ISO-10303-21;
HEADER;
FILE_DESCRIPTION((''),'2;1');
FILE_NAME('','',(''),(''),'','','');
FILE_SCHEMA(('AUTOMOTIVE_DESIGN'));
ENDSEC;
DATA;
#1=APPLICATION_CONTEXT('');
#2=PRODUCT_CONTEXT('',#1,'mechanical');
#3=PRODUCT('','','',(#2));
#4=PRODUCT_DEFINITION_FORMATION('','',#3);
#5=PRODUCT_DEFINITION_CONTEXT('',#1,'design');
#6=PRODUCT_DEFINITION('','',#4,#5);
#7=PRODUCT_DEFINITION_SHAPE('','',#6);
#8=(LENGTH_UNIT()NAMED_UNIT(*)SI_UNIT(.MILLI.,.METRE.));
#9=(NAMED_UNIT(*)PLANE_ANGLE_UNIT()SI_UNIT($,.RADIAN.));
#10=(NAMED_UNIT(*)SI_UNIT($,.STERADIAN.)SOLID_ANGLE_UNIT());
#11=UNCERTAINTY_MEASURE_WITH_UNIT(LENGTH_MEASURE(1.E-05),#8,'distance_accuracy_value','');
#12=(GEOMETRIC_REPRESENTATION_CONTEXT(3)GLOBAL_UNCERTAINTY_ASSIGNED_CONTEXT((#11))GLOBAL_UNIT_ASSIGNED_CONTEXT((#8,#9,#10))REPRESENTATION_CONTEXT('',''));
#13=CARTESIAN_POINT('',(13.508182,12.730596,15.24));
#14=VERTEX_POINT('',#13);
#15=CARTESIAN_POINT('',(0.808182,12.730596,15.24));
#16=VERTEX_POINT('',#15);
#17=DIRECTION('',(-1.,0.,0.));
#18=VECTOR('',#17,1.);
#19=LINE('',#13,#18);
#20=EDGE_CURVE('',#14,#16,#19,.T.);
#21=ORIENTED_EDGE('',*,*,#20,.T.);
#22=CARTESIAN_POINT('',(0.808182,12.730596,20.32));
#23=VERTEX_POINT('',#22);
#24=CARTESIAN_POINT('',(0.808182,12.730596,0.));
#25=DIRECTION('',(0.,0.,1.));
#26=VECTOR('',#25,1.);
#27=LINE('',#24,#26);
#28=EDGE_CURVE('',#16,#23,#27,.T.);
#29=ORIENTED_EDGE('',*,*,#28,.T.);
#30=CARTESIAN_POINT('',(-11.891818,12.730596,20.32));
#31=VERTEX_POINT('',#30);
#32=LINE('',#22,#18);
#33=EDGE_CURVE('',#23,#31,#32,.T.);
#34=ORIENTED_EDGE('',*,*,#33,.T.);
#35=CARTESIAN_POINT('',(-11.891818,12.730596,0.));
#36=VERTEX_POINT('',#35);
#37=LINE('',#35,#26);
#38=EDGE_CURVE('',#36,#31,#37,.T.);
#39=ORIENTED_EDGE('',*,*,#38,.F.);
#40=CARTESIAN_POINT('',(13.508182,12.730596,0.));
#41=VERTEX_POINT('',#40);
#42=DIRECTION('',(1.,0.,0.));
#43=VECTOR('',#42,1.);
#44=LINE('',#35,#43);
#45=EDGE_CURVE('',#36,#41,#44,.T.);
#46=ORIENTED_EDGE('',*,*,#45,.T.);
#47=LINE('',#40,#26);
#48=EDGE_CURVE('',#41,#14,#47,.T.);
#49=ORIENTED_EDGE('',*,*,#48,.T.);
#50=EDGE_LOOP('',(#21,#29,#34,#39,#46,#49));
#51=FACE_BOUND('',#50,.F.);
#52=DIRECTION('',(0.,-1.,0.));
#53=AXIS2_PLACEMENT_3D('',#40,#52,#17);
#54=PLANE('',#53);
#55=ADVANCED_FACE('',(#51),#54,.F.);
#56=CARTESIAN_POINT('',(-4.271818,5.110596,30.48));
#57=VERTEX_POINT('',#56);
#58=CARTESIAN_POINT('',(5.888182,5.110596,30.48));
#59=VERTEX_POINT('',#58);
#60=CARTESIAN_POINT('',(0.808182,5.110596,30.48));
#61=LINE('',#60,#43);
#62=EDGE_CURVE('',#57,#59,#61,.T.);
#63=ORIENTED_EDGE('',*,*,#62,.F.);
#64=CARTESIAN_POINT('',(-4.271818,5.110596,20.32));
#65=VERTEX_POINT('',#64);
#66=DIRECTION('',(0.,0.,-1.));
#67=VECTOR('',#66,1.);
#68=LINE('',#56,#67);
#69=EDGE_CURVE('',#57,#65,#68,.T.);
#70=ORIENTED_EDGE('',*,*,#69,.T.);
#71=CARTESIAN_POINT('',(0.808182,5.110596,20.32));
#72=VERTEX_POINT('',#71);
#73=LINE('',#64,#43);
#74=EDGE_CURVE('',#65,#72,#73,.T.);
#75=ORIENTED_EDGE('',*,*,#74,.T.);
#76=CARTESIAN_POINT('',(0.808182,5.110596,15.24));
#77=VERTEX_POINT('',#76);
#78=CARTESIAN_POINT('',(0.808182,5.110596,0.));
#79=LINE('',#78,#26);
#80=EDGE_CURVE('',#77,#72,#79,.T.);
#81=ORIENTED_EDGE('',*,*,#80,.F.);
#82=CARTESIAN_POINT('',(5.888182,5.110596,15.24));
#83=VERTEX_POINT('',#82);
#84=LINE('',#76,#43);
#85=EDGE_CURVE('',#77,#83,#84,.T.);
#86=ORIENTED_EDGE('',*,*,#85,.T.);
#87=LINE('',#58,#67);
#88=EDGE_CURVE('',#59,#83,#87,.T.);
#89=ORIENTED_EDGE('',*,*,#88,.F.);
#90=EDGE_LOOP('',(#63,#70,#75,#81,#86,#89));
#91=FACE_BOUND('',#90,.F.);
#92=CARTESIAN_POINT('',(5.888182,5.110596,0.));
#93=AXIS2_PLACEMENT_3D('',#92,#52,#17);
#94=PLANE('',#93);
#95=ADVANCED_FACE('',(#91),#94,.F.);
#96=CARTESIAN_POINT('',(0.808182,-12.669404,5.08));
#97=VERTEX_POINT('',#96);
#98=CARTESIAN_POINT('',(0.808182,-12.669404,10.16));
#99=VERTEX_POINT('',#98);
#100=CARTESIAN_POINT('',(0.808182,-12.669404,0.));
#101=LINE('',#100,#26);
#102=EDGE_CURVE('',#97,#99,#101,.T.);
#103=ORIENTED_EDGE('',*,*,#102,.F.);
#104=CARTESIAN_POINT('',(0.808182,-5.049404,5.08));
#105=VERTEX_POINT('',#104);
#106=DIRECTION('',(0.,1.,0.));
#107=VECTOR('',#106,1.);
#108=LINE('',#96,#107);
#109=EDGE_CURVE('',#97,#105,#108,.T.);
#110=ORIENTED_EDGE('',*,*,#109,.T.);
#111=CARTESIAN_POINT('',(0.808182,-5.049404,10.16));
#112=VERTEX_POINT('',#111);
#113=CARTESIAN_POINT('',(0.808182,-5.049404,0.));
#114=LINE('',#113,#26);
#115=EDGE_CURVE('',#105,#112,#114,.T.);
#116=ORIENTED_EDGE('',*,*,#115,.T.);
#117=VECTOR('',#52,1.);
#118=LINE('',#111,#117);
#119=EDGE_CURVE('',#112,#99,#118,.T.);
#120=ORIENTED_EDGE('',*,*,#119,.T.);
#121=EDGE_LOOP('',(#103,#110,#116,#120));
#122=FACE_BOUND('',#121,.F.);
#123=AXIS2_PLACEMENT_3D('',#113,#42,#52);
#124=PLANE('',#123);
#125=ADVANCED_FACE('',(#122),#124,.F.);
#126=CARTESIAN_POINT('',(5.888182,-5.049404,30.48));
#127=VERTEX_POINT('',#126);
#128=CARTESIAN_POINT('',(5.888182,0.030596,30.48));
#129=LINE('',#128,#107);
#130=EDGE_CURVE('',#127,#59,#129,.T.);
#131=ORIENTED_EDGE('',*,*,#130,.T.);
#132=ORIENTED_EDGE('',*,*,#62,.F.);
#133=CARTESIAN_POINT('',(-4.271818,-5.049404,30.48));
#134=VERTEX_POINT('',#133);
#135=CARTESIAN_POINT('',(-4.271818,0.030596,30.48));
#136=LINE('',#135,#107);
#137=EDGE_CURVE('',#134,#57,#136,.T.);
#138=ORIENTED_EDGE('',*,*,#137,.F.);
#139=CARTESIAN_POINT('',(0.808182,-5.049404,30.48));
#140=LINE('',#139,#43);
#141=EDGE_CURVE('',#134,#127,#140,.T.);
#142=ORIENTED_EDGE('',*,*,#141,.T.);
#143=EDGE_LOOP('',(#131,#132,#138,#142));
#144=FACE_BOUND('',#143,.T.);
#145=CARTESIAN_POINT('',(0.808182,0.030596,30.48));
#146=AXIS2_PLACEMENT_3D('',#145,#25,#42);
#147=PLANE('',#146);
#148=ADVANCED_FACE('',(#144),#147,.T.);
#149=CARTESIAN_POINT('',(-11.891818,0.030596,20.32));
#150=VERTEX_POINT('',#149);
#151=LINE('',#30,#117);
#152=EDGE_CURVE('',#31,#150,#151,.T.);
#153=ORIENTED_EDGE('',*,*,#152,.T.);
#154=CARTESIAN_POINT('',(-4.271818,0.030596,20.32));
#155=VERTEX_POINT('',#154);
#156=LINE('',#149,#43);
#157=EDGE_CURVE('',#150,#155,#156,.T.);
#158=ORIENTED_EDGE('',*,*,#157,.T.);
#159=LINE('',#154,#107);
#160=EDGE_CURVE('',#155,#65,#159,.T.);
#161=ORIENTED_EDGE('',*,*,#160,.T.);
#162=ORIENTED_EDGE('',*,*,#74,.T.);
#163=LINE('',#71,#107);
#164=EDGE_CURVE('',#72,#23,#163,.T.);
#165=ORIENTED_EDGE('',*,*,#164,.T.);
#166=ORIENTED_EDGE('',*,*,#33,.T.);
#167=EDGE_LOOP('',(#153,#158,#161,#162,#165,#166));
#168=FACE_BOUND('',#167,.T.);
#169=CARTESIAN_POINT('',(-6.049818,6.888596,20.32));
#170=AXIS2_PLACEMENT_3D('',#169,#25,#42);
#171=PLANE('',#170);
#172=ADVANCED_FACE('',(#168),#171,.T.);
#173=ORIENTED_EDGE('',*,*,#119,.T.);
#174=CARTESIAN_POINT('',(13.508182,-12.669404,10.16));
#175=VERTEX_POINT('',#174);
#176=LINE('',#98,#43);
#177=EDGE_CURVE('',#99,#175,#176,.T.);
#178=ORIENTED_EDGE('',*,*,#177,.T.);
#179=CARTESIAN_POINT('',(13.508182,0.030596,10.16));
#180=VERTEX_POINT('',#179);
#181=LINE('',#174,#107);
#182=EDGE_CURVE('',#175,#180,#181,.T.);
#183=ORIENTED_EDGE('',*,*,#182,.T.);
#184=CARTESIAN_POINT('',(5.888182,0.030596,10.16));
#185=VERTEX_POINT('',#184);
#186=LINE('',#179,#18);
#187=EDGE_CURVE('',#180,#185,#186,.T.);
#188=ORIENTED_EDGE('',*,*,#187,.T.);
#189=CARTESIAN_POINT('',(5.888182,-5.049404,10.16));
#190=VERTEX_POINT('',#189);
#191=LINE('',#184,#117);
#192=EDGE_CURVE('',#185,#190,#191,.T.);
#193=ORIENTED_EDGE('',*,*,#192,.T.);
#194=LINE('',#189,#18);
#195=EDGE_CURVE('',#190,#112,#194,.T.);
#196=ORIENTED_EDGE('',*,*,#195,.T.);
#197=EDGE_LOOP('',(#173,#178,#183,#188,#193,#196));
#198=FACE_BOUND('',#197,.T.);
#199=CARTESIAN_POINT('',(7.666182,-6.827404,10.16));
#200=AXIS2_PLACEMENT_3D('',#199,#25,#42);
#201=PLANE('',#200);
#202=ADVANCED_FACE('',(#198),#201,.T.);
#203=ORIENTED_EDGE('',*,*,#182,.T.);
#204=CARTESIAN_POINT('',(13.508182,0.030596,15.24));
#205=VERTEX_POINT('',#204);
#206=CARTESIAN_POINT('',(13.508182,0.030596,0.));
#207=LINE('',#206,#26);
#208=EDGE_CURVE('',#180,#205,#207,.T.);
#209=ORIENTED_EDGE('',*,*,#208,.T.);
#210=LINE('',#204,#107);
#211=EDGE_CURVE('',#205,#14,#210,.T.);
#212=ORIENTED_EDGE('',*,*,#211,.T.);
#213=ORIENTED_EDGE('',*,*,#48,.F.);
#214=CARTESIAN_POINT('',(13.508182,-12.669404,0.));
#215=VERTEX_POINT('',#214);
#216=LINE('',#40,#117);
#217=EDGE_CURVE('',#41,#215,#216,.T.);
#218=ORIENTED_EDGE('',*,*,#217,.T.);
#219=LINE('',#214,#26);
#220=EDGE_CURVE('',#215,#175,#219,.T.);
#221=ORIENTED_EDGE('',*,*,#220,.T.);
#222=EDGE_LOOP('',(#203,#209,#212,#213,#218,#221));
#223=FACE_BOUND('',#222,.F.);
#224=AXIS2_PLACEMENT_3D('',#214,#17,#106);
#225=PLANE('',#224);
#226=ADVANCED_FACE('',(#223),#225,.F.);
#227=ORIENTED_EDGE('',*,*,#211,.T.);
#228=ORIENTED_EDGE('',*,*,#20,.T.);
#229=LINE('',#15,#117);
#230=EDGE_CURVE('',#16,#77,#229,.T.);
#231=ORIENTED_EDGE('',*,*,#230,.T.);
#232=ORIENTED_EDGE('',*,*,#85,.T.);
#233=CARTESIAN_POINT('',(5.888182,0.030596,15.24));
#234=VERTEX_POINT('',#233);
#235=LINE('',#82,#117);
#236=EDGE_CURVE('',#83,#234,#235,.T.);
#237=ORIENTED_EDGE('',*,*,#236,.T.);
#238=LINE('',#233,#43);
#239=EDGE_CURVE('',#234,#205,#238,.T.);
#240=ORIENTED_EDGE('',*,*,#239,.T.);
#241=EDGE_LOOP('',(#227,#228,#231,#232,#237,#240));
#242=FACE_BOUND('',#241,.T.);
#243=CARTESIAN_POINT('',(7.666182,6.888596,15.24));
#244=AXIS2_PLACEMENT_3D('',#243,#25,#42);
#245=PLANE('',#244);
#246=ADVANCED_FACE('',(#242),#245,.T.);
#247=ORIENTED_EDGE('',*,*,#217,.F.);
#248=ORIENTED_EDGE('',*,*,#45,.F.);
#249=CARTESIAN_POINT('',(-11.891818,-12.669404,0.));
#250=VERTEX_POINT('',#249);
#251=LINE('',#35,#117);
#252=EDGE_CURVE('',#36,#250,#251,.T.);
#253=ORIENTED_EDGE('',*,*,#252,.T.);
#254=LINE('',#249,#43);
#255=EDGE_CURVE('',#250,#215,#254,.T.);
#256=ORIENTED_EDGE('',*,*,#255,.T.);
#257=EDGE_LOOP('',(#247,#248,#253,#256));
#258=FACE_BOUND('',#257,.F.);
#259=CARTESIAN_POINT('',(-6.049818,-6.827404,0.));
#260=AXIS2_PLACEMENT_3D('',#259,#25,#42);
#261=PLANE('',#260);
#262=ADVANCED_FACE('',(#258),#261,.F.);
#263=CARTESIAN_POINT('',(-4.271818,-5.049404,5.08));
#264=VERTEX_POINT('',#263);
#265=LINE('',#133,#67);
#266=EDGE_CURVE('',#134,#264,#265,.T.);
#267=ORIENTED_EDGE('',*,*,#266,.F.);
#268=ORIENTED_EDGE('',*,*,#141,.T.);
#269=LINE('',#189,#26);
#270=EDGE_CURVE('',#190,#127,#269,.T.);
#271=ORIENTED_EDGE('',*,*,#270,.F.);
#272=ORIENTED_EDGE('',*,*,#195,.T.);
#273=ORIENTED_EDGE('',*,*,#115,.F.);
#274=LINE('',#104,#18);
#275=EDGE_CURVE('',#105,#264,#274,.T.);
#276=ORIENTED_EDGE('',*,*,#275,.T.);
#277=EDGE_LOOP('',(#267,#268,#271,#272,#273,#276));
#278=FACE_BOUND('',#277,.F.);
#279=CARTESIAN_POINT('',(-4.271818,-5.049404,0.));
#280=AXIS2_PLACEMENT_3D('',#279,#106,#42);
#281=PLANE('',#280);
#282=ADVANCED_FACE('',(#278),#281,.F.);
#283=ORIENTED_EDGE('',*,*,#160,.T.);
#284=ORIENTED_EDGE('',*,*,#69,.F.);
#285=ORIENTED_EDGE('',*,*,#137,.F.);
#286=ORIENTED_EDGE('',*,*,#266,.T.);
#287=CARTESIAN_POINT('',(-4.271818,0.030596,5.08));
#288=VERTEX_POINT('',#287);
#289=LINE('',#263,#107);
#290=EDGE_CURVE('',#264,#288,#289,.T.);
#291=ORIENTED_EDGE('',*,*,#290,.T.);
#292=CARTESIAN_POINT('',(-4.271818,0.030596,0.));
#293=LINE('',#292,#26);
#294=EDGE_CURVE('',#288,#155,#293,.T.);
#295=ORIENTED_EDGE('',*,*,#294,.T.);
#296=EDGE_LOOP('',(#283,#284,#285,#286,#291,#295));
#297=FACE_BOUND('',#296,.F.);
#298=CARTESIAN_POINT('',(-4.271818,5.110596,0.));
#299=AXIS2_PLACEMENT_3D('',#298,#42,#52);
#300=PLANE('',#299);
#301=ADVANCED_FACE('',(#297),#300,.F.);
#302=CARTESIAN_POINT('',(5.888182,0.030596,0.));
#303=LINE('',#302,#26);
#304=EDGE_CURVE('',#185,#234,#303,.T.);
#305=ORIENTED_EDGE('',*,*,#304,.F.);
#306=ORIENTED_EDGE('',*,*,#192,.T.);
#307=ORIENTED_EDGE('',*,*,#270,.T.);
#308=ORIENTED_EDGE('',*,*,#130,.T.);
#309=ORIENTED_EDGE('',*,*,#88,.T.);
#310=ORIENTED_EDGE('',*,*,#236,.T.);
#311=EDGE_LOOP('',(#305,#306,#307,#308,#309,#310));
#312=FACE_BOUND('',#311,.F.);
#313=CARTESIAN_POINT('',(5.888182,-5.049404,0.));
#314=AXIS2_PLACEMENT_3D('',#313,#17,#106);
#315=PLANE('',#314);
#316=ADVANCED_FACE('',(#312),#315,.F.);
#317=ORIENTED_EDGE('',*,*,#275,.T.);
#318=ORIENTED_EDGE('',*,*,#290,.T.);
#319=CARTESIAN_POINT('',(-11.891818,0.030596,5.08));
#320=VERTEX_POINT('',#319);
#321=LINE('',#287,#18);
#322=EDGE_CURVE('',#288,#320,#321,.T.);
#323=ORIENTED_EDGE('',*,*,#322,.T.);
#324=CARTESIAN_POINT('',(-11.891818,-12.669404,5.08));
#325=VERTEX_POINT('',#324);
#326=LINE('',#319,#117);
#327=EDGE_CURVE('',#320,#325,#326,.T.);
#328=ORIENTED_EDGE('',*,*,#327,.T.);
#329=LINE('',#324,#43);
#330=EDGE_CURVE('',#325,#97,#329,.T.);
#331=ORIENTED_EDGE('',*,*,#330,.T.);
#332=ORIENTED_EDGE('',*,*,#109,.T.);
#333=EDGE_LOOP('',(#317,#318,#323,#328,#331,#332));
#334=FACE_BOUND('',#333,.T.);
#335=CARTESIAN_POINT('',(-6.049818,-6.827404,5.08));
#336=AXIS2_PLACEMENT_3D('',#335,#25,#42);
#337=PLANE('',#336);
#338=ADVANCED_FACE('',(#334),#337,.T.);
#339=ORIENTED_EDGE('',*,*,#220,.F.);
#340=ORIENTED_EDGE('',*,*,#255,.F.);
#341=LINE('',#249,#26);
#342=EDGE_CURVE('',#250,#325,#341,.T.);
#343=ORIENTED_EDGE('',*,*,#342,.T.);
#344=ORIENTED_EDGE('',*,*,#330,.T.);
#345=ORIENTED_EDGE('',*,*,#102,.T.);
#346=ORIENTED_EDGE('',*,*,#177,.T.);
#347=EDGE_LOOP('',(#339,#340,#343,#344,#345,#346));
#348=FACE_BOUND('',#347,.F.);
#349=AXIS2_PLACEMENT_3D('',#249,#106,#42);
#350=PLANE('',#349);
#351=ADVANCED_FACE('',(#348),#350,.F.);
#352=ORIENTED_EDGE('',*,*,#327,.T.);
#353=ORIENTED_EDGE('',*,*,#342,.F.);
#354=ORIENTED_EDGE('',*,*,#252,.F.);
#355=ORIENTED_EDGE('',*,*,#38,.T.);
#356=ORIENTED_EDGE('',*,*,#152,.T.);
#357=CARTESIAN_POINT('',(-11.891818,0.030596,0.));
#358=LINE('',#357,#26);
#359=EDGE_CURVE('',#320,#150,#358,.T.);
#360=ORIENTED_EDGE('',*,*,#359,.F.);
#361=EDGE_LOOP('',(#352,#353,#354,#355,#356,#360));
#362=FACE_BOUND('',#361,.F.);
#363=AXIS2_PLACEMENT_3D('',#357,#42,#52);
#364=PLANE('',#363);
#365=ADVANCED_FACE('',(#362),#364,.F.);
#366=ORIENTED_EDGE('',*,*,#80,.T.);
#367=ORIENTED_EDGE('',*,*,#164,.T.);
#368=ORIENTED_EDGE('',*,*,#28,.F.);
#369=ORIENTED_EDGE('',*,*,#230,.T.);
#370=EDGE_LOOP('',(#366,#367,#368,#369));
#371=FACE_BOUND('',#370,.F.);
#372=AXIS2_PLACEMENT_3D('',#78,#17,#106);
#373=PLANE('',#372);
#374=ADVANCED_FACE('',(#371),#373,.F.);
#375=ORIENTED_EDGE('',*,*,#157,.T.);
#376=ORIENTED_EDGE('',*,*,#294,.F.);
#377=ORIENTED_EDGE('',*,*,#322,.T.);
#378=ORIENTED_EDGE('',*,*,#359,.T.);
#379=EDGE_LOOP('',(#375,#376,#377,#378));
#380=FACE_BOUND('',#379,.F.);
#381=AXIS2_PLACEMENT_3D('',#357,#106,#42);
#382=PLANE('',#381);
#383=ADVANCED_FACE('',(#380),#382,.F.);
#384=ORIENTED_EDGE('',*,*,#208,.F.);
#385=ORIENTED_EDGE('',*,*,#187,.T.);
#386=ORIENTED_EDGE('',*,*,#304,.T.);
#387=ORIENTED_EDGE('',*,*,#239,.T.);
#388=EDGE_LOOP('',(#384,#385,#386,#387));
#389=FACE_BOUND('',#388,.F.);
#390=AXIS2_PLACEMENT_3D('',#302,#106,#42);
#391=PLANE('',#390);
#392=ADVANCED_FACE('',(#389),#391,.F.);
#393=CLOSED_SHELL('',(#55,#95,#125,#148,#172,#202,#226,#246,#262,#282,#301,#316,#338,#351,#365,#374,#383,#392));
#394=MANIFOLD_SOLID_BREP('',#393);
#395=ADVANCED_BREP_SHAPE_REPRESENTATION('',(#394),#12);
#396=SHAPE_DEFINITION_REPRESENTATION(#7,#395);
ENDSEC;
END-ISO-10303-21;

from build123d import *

# Parameters (mm, degrees)
F1_DEPTH  = 20.32
F2_DEPTH  = 15.24
F3_DEPTH  = 25.4
F4_DEPTH  = 10.16
F3_FACE_W = 10.16
F3_FACE_H = 10.16
F5_DEPTH  = 5.08


with BuildPart() as f1:
    # F0 (on Top) → F1 (new body)
    with BuildSketch(Plane.XY):
        Polygon((0.808182, 12.730596), (-9.351818, 12.730596), (-11.891818, 12.730596), (-11.891818, 10.190596), (-11.891818, 0.030596), (-4.271818, 0.030596), (-4.271818, 5.110596), (0.808182, 5.110596), align=None)
    extrude(amount=F1_DEPTH)

    # F0 (on Top) → F2 (join)
    with BuildSketch(Plane.XY):
        Polygon((10.968182, 12.730596), (0.808182, 12.730596), (0.808182, 5.110596), (5.888182, 5.110596), (5.888182, 0.030596), (13.508182, 0.030596), (13.508182, 10.190596), (13.508182, 12.730596), align=None)
    extrude(amount=F2_DEPTH)

    # F0 (on Top) → F3 (join)
    with BuildSketch(Plane.XY):
        Polygon((5.888182, 5.110596), (0.808182, 5.110596), (-4.271818, 5.110596), (-4.271818, 0.030596), (-4.271818, -5.049404), (0.808182, -5.049404), (5.888182, -5.049404), (5.888182, 0.030596), align=None)
    extrude(amount=F3_DEPTH)

    # F0 (on Top) → F4 (join)
    with BuildSketch(Plane.XY):
        Polygon((13.508182, 0.030596), (5.888182, 0.030596), (5.888182, -5.049404), (0.808182, -5.049404), (0.808182, -12.669404), (10.968182, -12.669404), (13.508182, -12.669404), (13.508182, -10.129404), align=None)
    extrude(amount=F4_DEPTH)

    # F0 (on Top) + F3_face (on face) → F5 (join)
    with BuildSketch(Plane.XY):
        Polygon((-4.271818, 0.030596), (-11.891818, 0.030596), (-11.891818, -10.129404), (-11.891818, -12.669404), (-9.351818, -12.669404), (0.808182, -12.669404), (0.808182, -5.049404), (-4.271818, -5.049404), align=None)
    with BuildSketch(Plane(origin=(0.808182, 0.030596, 25.4), x_dir=(1, 0, 0), z_dir=(0, 0, 1))):
        Rectangle(F3_FACE_W, F3_FACE_H)
    extrude(amount=F5_DEPTH)


solid = f1.part
